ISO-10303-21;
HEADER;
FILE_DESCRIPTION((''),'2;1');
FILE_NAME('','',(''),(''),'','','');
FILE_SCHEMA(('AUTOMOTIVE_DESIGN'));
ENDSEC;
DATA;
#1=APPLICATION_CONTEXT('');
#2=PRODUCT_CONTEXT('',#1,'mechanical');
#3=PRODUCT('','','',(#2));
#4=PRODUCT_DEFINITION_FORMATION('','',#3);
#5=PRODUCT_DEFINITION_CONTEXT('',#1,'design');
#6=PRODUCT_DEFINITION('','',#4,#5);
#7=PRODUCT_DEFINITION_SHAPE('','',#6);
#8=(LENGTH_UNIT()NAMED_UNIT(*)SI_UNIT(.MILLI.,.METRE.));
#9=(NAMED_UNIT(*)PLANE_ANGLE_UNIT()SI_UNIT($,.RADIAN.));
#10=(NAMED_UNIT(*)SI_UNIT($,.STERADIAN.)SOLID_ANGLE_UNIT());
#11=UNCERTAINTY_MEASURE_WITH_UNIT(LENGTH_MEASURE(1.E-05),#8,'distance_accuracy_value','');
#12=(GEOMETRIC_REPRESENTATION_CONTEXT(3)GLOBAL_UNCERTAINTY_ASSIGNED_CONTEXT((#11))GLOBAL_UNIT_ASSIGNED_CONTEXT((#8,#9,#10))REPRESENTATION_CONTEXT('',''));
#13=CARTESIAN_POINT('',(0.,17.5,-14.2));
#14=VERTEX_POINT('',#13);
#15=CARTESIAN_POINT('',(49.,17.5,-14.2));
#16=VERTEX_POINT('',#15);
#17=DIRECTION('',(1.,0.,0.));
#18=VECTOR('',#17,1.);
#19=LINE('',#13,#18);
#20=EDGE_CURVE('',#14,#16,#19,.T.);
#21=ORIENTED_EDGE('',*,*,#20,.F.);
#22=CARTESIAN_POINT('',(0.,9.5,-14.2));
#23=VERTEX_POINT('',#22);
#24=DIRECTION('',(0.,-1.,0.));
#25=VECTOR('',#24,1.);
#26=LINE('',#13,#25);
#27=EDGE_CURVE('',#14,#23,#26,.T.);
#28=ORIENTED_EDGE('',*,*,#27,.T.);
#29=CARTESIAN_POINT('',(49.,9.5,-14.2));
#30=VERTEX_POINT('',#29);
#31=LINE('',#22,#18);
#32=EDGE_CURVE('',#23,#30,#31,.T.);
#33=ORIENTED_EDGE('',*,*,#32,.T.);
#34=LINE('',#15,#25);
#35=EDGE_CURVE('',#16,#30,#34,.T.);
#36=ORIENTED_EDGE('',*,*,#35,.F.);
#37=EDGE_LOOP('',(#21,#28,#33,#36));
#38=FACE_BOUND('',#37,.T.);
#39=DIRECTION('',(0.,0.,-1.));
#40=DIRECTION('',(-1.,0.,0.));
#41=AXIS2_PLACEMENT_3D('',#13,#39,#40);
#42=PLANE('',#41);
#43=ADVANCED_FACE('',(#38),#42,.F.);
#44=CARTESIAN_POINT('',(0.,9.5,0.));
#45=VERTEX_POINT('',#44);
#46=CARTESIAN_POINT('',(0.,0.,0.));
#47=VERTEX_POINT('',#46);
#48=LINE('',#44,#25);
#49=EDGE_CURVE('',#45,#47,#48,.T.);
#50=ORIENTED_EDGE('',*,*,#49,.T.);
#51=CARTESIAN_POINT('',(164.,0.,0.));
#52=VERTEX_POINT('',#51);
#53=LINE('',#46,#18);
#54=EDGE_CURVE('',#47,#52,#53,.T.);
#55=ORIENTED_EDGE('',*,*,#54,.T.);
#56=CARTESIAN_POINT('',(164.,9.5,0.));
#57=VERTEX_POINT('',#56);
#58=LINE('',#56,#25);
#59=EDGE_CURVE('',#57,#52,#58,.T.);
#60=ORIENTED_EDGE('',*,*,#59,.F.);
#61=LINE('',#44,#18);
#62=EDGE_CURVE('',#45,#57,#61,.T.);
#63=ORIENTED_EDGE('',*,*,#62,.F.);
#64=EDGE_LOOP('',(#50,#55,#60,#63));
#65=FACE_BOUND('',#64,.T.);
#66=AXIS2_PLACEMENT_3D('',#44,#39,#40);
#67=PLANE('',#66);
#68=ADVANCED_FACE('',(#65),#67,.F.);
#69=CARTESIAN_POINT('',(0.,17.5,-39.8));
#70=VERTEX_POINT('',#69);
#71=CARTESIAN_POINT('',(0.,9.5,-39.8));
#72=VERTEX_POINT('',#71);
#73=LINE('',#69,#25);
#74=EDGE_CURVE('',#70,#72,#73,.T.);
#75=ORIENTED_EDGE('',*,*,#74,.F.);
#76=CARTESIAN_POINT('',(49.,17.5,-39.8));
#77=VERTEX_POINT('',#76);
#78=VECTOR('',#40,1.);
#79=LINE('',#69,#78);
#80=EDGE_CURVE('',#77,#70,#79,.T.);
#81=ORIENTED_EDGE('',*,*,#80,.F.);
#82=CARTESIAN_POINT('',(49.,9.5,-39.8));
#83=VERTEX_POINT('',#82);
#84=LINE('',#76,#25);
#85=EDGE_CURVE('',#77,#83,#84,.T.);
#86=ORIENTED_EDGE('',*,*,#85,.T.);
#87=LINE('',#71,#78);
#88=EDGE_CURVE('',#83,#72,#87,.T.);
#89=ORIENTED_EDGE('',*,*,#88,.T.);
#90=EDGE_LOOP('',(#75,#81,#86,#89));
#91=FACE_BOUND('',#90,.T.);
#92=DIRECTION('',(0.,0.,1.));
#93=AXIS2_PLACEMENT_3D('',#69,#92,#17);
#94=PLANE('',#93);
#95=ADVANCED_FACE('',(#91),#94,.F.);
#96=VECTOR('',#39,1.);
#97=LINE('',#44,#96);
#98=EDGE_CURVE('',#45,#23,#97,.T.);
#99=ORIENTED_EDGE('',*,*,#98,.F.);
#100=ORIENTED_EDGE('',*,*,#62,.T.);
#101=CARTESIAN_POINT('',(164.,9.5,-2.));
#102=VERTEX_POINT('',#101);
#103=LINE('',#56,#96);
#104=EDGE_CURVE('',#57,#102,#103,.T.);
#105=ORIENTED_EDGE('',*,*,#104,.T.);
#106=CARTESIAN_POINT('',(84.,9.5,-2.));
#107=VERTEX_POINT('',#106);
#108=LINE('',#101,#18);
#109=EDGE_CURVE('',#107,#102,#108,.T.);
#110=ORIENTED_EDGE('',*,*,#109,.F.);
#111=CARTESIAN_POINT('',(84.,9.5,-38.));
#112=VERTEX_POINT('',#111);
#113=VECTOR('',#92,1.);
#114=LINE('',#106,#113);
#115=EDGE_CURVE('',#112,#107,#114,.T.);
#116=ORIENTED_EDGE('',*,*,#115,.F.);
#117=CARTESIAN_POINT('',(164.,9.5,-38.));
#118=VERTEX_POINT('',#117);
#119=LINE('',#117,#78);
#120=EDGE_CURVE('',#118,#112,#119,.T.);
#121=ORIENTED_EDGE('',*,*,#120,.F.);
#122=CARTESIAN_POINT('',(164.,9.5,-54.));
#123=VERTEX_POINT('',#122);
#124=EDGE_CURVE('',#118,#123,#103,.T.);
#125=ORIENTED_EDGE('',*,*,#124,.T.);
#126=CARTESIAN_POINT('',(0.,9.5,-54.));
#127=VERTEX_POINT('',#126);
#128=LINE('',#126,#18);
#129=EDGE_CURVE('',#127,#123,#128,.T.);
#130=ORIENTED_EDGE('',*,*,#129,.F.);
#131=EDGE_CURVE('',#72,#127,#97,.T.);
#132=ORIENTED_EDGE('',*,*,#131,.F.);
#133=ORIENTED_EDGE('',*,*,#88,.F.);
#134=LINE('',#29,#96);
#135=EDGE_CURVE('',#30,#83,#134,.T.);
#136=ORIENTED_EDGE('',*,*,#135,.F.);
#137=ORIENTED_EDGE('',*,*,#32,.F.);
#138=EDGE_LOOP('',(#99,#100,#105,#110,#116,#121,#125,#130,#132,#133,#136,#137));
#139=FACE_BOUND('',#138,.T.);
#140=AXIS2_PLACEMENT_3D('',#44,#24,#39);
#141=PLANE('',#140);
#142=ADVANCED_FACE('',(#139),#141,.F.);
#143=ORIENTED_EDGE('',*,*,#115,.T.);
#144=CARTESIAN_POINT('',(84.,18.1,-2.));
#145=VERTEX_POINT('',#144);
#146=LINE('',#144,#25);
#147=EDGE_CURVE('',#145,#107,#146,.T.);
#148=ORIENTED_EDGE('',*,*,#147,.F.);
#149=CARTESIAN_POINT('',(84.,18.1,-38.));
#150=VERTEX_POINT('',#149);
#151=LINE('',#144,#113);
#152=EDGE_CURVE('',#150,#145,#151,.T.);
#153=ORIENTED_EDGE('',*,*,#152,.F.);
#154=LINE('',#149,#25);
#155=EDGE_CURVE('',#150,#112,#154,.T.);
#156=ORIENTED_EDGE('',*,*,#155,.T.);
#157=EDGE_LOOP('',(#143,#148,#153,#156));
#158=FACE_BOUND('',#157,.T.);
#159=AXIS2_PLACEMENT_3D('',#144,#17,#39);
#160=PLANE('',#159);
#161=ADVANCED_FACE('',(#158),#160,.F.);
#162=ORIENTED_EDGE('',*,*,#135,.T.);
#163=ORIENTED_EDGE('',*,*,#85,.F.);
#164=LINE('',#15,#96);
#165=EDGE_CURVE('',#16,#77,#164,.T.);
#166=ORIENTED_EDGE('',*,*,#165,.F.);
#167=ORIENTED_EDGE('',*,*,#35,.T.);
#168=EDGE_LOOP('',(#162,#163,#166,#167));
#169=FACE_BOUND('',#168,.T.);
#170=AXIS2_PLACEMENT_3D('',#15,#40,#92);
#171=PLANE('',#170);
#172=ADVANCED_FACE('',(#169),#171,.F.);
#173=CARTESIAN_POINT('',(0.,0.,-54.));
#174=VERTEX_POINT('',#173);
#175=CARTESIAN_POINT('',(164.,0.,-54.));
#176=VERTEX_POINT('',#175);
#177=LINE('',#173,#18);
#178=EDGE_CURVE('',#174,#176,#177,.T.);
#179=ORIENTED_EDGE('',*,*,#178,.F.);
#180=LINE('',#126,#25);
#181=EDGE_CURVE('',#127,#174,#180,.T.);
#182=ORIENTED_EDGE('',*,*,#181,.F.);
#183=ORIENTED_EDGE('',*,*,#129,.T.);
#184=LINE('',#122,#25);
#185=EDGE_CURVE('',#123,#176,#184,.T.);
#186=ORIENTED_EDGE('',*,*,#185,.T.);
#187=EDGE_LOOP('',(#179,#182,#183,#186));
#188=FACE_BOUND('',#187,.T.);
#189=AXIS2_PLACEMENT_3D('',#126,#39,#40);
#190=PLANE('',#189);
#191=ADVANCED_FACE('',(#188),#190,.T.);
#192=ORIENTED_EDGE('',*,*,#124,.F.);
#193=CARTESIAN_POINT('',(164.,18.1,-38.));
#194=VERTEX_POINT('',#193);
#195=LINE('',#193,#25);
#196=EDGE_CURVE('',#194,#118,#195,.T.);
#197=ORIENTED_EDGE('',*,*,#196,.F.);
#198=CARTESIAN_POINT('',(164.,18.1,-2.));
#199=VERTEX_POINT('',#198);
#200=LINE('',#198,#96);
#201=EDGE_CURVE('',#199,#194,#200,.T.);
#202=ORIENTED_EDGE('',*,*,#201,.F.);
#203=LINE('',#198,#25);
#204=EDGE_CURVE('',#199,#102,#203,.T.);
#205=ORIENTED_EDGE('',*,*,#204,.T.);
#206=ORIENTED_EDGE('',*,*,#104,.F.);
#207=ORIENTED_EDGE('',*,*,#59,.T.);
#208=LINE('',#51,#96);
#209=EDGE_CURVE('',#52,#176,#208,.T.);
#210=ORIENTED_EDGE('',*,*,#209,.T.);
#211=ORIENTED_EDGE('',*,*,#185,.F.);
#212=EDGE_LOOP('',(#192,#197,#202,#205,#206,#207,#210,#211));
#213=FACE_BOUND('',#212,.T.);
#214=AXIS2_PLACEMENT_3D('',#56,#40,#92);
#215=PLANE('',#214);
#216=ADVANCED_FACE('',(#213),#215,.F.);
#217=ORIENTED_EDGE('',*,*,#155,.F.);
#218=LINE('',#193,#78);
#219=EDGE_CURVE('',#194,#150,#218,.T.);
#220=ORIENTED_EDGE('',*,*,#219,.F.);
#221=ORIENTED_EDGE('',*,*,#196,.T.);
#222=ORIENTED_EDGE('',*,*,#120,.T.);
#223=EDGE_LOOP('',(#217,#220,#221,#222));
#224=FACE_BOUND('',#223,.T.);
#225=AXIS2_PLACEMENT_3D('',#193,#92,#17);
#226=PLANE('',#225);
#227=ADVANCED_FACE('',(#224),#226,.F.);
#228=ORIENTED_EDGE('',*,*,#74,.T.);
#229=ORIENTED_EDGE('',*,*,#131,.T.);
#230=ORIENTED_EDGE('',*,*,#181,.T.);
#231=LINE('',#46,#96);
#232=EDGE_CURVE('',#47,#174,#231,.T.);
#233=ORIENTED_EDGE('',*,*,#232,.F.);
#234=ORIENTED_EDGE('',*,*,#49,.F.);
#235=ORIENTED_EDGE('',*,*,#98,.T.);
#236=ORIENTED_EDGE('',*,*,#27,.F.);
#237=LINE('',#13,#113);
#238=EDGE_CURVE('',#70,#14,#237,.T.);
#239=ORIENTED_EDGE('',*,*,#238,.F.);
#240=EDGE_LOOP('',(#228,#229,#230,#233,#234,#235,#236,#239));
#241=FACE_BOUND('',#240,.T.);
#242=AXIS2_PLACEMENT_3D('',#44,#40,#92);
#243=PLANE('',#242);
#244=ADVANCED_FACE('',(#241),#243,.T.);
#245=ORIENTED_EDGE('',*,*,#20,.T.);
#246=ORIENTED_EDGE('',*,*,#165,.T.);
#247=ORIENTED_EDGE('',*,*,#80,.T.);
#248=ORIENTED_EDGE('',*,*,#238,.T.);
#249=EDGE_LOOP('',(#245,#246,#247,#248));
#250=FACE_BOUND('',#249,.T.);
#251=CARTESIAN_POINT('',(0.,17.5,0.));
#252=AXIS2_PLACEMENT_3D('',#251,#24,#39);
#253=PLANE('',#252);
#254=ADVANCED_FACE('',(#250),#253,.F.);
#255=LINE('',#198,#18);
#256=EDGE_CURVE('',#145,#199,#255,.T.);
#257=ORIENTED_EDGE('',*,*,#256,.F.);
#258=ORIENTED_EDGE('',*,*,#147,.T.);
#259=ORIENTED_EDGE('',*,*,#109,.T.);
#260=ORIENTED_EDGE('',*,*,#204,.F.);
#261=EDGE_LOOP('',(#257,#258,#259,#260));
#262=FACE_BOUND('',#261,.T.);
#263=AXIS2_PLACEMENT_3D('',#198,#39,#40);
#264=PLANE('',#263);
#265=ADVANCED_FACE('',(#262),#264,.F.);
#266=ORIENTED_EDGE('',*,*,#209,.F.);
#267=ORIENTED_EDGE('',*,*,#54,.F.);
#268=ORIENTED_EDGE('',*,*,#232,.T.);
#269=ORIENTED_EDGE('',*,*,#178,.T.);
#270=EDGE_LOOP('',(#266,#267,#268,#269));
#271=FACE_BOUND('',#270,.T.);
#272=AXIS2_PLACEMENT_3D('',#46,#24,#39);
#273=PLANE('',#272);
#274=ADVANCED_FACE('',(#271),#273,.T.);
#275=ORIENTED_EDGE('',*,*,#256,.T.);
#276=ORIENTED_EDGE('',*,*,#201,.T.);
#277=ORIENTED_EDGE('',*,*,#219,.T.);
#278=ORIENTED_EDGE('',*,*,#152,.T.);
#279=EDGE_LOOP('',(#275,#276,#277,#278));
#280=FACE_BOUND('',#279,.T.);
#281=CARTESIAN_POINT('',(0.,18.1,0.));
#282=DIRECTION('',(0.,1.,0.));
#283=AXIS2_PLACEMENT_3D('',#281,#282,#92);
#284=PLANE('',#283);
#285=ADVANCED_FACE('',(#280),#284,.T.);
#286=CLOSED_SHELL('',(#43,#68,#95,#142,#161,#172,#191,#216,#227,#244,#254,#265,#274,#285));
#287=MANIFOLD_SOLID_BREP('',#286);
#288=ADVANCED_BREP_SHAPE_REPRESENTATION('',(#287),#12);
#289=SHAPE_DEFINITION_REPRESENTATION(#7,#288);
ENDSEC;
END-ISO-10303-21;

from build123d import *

# Parameters (mm, degrees)
SKETCH1_W           = 164
SKETCH1_H           = 54
BOSS_EXTRUDE1_DEPTH = 9.5
SKETCH3_W           = 49
SKETCH3_H           = 25.6
BOSS_EXTRUDE2_DEPTH = 8
SKETCH5_W           = 80
SKETCH5_H           = 36
BOSS_EXTRUDE3_DEPTH = 8.6


with BuildPart() as part:
    # Sketch1 → Boss-Extrude1 (new body)
    with BuildSketch(Plane(origin=(0, 0, 0), x_dir=(1, 0, 0), z_dir=(0, 1, 0))):
        with Locations((82, 27)):
            Rectangle(SKETCH1_W, SKETCH1_H)
    extrude(amount=BOSS_EXTRUDE1_DEPTH)

    # Sketch3 → Boss-Extrude2 (add)
    with BuildSketch(Plane(origin=(0, 9.5, 0), x_dir=(1, 0, 0), z_dir=(0, 1, 0))):
        with Locations((24.5, 27)):
            Rectangle(SKETCH3_W, SKETCH3_H)
    extrude(amount=BOSS_EXTRUDE2_DEPTH)

    # Sketch5 → Boss-Extrude3 (add)
    with BuildSketch(Plane(origin=(0, 9.5, 0), x_dir=(1, 0, 0), z_dir=(0, 1, 0))):
        with Locations((124, 20)):
            Rectangle(SKETCH5_W, SKETCH5_H)
    extrude(amount=BOSS_EXTRUDE3_DEPTH)


solid = part.part
